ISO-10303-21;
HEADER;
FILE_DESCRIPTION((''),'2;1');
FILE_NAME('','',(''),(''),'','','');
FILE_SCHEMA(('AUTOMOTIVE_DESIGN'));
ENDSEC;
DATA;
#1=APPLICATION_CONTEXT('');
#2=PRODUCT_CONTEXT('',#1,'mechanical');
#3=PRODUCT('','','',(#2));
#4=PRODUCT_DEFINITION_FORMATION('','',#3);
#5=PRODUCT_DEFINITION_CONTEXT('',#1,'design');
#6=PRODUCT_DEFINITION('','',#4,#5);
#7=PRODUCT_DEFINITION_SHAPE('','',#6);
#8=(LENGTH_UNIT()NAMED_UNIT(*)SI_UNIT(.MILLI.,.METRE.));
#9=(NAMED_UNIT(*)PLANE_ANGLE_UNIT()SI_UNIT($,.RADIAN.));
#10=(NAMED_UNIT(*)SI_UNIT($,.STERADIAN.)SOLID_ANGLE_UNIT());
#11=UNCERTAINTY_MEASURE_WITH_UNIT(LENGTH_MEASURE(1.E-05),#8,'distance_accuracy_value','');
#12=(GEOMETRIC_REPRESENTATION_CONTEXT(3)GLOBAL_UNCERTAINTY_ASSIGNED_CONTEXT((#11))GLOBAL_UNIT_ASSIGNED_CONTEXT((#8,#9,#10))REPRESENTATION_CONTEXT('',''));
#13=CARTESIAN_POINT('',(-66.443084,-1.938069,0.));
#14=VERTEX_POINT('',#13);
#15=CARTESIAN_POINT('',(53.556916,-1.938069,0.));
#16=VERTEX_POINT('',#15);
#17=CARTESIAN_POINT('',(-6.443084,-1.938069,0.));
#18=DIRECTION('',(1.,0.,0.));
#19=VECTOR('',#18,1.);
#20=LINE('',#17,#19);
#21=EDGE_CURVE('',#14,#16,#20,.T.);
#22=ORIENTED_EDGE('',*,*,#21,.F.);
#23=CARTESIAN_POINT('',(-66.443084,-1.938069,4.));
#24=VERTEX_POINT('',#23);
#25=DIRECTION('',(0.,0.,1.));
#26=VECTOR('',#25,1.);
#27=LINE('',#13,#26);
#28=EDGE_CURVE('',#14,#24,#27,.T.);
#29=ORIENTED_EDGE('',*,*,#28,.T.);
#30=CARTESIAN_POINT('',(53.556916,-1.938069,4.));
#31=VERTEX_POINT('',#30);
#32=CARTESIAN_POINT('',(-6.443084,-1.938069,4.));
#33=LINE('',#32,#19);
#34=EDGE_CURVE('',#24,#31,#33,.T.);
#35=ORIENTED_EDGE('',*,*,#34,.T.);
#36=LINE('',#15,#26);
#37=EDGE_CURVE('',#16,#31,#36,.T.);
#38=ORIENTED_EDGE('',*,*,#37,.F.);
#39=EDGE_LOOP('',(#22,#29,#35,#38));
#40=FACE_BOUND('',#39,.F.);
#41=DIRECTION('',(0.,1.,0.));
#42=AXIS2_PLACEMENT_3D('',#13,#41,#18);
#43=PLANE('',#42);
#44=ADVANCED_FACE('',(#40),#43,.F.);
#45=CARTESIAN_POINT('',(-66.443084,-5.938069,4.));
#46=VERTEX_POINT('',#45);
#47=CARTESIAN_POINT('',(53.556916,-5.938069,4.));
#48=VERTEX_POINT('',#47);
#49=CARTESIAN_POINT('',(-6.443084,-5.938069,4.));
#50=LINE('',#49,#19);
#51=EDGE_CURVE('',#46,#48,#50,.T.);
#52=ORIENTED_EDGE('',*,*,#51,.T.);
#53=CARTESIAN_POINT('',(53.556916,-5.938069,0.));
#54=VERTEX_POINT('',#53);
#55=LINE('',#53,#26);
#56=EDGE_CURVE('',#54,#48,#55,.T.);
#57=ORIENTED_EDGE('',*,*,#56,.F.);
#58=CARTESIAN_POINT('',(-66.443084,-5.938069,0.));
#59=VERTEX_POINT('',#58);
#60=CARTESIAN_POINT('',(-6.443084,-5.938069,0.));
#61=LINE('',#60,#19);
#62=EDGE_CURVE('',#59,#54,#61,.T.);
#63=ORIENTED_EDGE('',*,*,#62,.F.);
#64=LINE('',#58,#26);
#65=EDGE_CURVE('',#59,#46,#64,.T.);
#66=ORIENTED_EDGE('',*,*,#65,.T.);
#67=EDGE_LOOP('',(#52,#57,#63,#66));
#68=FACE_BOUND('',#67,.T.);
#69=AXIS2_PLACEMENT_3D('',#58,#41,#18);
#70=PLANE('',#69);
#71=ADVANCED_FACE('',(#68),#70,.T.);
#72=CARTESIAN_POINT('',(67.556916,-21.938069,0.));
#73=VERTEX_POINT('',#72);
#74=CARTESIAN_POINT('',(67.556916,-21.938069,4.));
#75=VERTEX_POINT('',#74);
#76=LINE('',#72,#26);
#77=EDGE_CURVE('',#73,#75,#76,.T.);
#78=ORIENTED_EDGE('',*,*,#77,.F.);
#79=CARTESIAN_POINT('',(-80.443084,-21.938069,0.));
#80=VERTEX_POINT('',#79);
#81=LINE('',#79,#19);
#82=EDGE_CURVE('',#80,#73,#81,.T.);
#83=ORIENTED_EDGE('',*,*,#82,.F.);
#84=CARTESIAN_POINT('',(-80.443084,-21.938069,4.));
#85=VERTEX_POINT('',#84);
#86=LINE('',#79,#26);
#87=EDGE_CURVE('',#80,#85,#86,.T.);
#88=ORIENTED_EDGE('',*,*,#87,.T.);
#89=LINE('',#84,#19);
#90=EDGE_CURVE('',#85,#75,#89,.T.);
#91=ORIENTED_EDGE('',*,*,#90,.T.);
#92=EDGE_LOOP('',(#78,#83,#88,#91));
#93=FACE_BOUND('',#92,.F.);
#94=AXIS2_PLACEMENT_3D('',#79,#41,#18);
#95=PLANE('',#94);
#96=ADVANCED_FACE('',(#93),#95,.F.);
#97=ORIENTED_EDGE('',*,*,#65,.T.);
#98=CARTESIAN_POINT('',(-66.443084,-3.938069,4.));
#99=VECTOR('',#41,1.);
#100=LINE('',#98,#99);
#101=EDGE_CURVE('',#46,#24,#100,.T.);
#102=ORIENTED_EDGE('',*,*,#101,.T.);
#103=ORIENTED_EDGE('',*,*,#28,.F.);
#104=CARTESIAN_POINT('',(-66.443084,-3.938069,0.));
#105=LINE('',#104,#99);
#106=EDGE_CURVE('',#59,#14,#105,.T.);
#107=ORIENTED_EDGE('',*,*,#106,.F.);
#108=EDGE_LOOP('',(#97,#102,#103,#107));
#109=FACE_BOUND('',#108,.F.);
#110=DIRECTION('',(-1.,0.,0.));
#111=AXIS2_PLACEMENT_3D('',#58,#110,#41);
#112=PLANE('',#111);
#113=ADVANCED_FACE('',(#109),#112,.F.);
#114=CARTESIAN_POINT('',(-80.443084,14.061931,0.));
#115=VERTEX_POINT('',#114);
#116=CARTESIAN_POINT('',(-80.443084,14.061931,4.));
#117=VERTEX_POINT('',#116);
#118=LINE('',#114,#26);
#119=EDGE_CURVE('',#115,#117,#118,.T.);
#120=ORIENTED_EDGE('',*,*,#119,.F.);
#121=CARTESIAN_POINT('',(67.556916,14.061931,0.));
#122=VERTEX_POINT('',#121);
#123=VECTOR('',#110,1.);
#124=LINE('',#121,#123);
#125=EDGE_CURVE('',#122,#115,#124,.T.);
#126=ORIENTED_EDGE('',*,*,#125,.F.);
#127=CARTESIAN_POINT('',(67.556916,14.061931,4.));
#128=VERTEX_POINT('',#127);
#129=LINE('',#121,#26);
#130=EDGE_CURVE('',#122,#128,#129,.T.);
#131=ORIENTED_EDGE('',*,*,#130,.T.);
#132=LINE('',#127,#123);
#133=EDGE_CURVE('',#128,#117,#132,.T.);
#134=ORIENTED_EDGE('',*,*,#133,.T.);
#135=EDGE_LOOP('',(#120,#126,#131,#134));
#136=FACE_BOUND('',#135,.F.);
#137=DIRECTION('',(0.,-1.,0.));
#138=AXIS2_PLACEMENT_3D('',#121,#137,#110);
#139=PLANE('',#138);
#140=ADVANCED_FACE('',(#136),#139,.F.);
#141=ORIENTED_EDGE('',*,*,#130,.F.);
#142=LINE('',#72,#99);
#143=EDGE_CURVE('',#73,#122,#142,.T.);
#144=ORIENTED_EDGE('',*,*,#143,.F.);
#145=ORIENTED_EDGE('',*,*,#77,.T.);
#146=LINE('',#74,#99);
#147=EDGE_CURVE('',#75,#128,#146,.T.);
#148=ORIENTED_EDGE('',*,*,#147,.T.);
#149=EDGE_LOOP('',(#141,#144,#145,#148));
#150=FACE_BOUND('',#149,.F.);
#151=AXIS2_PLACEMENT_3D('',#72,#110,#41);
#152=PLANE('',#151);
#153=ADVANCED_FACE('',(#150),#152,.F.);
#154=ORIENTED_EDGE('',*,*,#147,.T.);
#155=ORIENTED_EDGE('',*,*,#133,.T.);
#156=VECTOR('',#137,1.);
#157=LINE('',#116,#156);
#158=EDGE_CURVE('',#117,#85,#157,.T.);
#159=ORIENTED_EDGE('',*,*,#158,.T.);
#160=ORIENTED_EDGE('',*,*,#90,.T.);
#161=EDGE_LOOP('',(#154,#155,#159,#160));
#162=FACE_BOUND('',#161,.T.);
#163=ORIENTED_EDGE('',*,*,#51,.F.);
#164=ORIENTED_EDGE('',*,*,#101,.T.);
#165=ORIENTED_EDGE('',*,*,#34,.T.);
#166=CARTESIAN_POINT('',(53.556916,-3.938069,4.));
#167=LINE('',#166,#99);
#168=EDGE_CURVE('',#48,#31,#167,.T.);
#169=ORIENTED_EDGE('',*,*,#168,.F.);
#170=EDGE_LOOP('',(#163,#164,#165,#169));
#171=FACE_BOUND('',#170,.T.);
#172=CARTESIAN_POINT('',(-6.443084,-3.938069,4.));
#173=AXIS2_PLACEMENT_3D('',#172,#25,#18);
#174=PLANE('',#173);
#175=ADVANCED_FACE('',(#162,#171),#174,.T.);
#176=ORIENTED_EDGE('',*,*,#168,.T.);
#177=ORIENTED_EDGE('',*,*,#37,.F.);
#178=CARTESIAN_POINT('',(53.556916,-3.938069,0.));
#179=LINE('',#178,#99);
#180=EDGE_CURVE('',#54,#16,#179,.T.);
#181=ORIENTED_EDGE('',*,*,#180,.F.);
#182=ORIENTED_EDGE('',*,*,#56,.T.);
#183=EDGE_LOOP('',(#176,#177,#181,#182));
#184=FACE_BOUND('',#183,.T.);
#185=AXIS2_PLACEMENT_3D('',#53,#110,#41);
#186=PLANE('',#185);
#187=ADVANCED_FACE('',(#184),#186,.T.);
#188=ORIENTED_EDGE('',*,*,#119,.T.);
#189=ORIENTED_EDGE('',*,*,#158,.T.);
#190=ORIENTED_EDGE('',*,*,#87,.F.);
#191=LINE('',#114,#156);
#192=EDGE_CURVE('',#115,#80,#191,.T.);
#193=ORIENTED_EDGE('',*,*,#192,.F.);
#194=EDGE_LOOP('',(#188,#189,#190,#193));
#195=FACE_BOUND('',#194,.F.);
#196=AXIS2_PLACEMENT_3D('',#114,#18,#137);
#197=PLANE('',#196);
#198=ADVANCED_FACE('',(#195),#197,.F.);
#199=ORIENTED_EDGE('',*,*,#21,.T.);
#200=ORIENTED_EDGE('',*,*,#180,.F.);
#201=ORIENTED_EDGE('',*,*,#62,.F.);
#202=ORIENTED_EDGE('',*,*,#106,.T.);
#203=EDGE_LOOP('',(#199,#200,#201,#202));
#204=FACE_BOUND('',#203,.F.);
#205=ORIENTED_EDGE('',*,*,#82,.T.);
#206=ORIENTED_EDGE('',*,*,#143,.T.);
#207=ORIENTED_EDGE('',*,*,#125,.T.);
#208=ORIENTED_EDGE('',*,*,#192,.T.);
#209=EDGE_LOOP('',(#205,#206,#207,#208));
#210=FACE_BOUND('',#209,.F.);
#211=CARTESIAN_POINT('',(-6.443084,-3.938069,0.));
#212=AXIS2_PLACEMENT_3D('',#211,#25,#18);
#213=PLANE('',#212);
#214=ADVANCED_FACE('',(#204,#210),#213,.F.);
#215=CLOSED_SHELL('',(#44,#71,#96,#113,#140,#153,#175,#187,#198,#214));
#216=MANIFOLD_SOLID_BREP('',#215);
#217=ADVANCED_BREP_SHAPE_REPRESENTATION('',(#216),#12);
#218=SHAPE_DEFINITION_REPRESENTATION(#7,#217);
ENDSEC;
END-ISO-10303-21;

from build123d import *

# Parameters (mm, degrees)
F0_W     = 120
F0_H     = 4
F1_DEPTH = 4


with BuildPart() as f1:
    # F0 (on Top) → F1 (new body)
    with BuildSketch(Plane.XY):
        Polygon((67.556916, -1.938069), (67.556916, 14.061931), (-80.443084, 14.061931), (-80.443084, -1.938069), (-80.443084, -5.938069), (-80.443084, -21.938069), (67.556916, -21.938069), (67.556916, -5.938069), align=None)
        with Locations((-6.443084, -3.938069)):
            Rectangle(F0_W, F0_H, mode=Mode.SUBTRACT)
    extrude(amount=F1_DEPTH)


solid = f1.part
